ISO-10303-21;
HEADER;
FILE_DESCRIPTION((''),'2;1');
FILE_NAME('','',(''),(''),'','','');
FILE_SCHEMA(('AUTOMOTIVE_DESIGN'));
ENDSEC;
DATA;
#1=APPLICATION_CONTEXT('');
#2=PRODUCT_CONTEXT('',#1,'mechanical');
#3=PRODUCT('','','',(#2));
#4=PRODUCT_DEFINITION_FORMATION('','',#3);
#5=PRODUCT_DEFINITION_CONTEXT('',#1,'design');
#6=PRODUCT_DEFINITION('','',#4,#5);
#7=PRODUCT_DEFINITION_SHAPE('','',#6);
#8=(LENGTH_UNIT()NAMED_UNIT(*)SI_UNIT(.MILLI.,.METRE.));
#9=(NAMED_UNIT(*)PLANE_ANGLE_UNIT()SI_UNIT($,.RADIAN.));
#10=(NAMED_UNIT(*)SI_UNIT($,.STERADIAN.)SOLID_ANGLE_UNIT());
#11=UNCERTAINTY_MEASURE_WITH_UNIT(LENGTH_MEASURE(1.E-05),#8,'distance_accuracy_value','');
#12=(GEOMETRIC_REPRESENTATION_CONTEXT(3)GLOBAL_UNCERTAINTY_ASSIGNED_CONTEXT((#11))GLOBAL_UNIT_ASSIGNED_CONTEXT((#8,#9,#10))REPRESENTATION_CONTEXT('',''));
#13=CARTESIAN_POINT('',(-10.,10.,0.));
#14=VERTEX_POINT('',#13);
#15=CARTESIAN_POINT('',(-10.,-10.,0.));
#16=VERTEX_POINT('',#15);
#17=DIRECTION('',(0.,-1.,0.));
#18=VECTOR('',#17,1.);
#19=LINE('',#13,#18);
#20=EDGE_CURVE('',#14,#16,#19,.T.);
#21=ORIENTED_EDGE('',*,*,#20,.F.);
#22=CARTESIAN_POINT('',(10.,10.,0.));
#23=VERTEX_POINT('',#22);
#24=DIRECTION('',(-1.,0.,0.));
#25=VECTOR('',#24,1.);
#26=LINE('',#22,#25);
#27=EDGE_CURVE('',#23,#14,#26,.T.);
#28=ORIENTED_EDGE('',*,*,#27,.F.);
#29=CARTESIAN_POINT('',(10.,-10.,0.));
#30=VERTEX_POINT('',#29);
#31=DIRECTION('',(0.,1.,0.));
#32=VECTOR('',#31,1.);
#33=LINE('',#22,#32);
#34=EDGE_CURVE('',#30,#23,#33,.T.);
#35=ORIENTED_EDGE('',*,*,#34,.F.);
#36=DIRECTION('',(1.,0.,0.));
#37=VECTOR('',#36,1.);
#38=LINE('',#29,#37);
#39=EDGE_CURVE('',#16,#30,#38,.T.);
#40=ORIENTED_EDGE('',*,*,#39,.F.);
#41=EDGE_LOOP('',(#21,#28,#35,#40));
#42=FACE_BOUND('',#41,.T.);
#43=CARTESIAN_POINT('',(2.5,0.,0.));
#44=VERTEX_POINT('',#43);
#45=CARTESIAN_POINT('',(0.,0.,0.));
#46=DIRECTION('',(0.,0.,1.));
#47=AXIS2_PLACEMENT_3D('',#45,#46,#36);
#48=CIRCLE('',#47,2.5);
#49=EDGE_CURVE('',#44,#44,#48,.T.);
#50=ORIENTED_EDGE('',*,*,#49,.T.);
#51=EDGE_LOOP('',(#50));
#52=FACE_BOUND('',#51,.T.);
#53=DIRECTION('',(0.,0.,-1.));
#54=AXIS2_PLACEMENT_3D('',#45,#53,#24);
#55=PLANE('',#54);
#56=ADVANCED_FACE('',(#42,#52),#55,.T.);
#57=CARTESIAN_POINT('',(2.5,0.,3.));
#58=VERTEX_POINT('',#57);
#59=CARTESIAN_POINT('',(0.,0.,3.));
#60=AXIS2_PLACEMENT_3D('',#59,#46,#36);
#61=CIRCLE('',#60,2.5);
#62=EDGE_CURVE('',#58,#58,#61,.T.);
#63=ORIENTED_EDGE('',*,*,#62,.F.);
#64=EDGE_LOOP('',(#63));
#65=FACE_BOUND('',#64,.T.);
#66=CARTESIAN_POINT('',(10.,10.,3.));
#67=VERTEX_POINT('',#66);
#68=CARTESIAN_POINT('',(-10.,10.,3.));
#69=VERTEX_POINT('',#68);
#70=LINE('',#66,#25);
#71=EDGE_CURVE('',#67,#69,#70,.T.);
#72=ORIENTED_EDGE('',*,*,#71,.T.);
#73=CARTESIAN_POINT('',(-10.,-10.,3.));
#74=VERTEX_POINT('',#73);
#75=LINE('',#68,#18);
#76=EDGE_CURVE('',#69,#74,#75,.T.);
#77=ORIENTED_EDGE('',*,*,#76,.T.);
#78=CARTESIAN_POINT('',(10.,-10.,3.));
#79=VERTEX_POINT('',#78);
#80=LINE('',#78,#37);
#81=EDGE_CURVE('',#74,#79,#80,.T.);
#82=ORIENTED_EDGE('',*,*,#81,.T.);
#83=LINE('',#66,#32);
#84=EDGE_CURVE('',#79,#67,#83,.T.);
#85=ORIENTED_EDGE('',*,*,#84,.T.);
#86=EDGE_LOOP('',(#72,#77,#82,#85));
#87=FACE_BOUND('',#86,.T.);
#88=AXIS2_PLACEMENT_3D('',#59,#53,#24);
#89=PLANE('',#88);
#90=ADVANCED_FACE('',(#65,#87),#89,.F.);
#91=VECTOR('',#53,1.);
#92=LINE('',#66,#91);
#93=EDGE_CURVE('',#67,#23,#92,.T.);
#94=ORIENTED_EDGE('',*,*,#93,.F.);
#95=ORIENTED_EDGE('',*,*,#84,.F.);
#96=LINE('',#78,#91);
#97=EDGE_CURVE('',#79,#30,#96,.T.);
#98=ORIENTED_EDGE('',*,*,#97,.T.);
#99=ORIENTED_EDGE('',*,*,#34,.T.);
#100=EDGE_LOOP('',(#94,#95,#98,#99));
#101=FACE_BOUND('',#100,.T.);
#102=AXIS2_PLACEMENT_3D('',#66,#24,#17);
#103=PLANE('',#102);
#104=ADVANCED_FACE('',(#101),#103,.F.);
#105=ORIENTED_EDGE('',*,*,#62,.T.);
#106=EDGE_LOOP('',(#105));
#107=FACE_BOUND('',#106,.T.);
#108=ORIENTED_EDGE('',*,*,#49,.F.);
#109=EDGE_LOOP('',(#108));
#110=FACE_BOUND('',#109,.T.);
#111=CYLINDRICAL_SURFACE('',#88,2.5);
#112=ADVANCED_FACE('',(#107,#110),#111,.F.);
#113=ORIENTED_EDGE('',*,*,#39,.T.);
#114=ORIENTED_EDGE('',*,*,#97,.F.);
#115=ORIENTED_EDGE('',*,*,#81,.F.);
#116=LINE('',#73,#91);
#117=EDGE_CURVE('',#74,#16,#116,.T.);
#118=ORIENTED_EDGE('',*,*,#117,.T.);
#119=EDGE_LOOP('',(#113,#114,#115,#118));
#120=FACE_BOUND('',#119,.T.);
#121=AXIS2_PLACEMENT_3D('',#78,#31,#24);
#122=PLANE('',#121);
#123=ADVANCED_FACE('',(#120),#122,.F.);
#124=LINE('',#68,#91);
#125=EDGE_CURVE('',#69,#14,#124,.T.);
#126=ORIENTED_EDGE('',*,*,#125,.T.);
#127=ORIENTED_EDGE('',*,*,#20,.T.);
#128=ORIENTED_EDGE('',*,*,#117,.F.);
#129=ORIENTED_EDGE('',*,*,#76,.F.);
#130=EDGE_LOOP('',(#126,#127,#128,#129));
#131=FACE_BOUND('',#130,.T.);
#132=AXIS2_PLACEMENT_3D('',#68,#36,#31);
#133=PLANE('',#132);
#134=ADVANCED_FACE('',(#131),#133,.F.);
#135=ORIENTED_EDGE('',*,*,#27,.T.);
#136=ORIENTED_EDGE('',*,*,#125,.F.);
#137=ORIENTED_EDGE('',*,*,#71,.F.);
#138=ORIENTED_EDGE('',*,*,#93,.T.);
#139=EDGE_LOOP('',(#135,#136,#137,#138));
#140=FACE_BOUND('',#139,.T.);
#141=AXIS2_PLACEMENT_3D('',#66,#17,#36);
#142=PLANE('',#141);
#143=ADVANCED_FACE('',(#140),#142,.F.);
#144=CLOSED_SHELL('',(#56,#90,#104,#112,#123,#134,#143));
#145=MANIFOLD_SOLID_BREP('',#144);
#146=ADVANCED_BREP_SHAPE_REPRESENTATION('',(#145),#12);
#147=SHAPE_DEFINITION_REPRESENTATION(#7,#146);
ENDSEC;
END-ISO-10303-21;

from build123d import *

# Parameters (mm, degrees)
ESBO_O1_W                = 20
ESBO_O1_H                = 20
ESBO_O1_R                = 2.5
RESSALTO_EXTRUS_O1_DEPTH = 3


with BuildPart() as part:
    # Esboço1 → Ressalto-extrusão1 (new body)
    with BuildSketch(Plane.XY):
        Rectangle(ESBO_O1_W, ESBO_O1_H)
        Circle(ESBO_O1_R, mode=Mode.SUBTRACT)
    extrude(amount=RESSALTO_EXTRUS_O1_DEPTH)


solid = part.part
